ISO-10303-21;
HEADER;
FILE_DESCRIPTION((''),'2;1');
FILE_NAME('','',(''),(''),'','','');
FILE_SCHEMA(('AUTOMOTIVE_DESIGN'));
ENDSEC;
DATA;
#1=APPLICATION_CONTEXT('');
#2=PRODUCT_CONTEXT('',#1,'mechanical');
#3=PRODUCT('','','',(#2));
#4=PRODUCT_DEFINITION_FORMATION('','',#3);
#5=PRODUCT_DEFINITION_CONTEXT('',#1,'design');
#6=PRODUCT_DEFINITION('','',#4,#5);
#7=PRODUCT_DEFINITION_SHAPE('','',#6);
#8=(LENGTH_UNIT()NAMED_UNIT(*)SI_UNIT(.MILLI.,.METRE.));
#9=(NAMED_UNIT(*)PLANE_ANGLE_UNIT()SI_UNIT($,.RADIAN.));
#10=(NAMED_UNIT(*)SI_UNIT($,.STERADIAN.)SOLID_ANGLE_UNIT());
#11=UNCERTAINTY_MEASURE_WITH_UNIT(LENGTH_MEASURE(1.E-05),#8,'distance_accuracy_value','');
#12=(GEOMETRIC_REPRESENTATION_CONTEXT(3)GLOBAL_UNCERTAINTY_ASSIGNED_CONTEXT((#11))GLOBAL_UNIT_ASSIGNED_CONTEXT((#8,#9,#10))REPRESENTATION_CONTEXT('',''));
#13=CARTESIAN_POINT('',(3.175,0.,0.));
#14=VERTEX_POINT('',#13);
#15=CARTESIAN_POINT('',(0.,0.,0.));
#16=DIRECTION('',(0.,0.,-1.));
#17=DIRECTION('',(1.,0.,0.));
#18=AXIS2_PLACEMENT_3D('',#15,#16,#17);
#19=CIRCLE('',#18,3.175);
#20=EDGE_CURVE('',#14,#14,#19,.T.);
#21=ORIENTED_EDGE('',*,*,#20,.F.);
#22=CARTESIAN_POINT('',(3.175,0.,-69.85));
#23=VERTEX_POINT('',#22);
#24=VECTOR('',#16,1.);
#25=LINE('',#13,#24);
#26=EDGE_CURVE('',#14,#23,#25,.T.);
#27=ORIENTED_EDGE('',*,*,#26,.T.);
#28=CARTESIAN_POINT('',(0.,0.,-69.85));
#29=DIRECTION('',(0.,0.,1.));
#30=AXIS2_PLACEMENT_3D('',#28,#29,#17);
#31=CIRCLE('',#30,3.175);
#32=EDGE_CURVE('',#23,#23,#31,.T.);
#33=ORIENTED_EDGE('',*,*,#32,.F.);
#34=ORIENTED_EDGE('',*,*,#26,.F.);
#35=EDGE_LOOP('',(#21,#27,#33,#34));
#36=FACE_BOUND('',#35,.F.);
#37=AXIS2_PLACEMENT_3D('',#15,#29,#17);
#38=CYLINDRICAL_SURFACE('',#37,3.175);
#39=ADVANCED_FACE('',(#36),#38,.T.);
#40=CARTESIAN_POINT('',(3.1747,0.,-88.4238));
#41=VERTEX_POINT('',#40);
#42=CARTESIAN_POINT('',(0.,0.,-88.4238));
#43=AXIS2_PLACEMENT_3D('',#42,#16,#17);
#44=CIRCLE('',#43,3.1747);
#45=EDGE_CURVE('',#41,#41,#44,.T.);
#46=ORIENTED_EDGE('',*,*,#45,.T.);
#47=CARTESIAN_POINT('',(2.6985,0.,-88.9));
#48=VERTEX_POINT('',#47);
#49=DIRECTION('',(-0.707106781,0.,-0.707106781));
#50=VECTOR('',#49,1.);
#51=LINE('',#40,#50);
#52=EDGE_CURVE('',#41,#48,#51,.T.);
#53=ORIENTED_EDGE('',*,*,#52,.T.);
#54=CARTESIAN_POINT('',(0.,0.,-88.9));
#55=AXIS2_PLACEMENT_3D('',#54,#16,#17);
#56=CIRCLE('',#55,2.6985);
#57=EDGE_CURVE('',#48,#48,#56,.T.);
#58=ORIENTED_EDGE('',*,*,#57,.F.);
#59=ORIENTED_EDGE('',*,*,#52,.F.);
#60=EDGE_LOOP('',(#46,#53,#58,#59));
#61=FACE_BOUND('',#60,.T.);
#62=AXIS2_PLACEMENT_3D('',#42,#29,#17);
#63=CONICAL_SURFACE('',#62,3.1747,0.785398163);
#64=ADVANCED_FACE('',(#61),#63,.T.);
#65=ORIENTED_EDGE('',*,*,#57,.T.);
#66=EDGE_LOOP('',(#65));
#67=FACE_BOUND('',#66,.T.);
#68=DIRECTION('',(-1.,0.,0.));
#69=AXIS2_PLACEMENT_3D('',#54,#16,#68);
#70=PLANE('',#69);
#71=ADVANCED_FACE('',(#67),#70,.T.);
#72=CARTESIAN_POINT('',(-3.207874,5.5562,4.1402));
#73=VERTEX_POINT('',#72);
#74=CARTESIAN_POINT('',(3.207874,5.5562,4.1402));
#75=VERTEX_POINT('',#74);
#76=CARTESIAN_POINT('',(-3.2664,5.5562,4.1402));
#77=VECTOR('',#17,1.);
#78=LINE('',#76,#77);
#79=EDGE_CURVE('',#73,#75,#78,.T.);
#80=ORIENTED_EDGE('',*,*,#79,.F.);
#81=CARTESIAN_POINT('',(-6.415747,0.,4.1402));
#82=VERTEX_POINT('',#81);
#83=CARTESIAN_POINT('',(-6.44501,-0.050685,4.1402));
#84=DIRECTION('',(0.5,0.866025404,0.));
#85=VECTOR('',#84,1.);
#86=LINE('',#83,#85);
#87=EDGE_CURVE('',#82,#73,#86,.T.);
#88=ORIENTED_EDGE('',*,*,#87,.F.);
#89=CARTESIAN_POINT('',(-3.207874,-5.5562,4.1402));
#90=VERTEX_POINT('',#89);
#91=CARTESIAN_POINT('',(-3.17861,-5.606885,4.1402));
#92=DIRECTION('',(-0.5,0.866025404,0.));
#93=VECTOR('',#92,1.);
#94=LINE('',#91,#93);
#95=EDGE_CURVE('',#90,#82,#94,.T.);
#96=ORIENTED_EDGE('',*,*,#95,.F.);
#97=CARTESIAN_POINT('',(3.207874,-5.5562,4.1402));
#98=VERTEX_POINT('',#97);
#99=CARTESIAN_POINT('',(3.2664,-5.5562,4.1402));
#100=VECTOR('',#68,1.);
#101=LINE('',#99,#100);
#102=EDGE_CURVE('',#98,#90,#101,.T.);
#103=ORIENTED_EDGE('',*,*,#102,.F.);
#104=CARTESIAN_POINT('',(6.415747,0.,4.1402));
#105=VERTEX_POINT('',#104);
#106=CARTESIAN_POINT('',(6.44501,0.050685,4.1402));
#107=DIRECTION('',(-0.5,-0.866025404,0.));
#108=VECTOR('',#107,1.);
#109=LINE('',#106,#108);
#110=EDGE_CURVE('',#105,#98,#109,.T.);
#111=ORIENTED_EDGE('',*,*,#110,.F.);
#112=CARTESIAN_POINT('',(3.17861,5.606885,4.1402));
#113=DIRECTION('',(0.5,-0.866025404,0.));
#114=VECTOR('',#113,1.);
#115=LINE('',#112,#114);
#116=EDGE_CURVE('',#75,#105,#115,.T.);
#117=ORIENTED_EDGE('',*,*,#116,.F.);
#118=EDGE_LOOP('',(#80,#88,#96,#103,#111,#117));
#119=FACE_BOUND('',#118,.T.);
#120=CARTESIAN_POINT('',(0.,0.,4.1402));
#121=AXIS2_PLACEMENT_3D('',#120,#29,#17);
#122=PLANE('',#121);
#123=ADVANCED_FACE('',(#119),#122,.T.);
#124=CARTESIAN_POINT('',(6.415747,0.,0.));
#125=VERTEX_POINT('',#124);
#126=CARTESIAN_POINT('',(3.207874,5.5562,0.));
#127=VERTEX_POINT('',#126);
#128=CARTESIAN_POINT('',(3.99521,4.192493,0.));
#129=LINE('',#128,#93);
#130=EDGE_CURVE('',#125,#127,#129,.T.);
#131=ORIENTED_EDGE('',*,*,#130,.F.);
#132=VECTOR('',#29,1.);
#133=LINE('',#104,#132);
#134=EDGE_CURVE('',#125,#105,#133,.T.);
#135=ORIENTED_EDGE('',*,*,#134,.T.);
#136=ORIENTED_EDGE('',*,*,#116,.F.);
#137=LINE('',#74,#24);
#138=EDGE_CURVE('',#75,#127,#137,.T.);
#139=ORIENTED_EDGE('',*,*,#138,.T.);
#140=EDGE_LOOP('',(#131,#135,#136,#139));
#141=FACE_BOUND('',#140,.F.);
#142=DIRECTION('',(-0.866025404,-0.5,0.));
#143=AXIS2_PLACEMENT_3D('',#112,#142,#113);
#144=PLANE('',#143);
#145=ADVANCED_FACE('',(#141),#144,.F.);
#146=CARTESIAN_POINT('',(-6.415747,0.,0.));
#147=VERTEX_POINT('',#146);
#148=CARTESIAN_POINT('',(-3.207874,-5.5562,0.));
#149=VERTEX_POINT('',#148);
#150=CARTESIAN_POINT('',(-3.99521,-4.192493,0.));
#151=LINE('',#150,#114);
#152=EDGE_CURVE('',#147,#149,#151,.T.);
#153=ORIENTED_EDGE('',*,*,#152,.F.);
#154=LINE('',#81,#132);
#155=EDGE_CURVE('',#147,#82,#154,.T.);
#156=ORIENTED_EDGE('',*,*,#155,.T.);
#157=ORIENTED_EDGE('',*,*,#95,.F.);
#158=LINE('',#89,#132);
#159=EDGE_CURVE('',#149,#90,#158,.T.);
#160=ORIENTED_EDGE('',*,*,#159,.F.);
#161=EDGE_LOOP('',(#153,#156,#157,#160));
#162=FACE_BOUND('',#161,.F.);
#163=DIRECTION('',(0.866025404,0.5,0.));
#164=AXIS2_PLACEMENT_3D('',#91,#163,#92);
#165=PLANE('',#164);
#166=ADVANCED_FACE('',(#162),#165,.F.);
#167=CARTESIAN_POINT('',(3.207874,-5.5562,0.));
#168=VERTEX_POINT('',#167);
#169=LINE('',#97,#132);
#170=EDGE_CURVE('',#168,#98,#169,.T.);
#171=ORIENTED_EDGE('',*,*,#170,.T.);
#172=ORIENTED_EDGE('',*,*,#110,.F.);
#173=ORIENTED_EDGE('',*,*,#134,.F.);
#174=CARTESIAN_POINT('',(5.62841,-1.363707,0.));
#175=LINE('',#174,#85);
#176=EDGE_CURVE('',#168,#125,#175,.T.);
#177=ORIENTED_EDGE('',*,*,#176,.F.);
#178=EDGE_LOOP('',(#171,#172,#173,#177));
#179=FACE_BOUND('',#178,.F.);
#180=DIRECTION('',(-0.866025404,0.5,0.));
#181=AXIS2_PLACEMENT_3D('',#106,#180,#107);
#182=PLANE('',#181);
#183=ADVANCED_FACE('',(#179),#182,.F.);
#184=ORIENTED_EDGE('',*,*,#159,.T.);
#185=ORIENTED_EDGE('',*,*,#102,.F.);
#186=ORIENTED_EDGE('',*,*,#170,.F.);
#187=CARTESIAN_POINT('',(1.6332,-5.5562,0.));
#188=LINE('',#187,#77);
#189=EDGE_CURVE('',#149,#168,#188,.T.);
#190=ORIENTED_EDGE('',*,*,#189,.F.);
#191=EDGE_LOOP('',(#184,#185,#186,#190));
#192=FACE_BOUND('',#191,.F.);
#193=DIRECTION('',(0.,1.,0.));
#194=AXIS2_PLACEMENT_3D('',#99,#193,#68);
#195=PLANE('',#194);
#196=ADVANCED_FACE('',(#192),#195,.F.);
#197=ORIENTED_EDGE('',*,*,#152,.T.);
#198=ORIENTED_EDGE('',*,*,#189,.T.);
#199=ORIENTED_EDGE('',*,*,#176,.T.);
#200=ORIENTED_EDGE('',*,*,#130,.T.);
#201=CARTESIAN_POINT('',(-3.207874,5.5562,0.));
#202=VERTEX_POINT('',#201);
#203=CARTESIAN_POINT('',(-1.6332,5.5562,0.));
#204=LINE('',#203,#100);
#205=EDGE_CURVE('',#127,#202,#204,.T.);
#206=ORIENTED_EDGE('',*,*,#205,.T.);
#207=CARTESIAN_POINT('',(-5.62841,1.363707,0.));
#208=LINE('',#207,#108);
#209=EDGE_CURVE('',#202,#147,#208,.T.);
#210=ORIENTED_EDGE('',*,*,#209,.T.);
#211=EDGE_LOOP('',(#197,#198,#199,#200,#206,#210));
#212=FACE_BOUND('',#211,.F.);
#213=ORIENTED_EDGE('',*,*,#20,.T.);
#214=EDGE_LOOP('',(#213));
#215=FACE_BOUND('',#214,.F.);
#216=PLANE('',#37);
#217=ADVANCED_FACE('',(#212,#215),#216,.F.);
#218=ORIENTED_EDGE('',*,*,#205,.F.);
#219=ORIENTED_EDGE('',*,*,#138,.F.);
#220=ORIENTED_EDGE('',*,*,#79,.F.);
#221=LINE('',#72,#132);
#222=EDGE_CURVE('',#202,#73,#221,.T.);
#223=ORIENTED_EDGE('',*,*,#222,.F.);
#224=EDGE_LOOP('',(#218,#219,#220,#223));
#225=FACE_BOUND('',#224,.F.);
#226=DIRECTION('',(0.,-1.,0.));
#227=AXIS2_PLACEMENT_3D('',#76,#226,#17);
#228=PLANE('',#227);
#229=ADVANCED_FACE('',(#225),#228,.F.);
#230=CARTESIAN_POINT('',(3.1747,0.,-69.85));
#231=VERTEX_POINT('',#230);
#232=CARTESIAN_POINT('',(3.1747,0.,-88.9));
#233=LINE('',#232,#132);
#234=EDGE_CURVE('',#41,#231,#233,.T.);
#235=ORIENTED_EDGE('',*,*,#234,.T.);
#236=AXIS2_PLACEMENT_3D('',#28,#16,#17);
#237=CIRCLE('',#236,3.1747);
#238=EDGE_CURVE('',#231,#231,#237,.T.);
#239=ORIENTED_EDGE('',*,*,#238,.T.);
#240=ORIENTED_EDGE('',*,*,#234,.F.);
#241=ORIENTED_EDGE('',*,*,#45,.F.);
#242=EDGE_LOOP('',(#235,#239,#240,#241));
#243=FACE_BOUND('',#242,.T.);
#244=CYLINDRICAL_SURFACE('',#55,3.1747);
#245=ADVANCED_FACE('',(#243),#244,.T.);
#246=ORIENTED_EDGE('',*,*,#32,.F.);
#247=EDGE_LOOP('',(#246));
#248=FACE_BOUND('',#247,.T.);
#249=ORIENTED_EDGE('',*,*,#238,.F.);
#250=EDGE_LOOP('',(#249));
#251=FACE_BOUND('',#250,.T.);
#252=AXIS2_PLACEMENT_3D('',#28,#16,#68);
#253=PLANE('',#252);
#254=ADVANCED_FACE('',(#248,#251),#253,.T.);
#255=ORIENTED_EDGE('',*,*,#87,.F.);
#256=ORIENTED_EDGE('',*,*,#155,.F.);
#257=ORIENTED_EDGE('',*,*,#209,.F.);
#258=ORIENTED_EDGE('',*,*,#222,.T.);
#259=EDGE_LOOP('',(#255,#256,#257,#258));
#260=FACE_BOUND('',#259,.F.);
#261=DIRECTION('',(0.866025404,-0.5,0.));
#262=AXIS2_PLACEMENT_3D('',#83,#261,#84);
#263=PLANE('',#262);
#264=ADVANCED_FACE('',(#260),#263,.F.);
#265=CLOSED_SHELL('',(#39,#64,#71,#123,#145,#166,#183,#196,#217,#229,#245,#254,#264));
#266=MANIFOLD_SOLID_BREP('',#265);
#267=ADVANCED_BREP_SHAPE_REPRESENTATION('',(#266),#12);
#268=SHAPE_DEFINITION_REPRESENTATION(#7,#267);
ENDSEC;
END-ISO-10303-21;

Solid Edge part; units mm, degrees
sketch "Sketch1" plane through (0, 0, 0) normal (0, 0, 1) x (1, 0, 0)
  circle A0 centre (0, 0) radius 6.4452
  dimension "D1" = 12.8905
extrude "Protrusion1" add sketch "Sketch1" along normal blind 4.1402
sketch "Sketch2" plane through (0, 0, 0) normal (0, 0, -1) x (1, 0, 0)
  circle A0 centre (0, 0) radius 3.175
extrude "Protrusion2" add sketch "Sketch2" along normal blind 88.9
sketch "Sketch3" plane through (0, 0, -88.9) normal (0, 0, -1) x (1, 0, 0)
  circle A0 centre (0, 0) radius 3.1747
extrude "Cutout1" cut sketch "Sketch3" against normal blind 19.05 flip side to cut
chamfer "Chamfer_1" distance 0.4762 angle 45 1 edges at (-3.1747, 0, -88.9)
sketch "Sketch4" plane through (0, 0, 4.1402) normal (0, 0, 1) x (1, 0, 0)
  line L0 (-3.2664, 5.5562) -> (3.2664, 5.5562)
  dimension "D1" = 11.1125
extrude "Cutout2" cut sketch "Sketch4" against normal up to next material side at (0, 5.6062, 4.1402)
pattern_circular "Pattern1" count 6 over 360 about axis through (0, 0, 4.1402) along (0, 0, 1) of "Cutout2"
properties part number "139513"
